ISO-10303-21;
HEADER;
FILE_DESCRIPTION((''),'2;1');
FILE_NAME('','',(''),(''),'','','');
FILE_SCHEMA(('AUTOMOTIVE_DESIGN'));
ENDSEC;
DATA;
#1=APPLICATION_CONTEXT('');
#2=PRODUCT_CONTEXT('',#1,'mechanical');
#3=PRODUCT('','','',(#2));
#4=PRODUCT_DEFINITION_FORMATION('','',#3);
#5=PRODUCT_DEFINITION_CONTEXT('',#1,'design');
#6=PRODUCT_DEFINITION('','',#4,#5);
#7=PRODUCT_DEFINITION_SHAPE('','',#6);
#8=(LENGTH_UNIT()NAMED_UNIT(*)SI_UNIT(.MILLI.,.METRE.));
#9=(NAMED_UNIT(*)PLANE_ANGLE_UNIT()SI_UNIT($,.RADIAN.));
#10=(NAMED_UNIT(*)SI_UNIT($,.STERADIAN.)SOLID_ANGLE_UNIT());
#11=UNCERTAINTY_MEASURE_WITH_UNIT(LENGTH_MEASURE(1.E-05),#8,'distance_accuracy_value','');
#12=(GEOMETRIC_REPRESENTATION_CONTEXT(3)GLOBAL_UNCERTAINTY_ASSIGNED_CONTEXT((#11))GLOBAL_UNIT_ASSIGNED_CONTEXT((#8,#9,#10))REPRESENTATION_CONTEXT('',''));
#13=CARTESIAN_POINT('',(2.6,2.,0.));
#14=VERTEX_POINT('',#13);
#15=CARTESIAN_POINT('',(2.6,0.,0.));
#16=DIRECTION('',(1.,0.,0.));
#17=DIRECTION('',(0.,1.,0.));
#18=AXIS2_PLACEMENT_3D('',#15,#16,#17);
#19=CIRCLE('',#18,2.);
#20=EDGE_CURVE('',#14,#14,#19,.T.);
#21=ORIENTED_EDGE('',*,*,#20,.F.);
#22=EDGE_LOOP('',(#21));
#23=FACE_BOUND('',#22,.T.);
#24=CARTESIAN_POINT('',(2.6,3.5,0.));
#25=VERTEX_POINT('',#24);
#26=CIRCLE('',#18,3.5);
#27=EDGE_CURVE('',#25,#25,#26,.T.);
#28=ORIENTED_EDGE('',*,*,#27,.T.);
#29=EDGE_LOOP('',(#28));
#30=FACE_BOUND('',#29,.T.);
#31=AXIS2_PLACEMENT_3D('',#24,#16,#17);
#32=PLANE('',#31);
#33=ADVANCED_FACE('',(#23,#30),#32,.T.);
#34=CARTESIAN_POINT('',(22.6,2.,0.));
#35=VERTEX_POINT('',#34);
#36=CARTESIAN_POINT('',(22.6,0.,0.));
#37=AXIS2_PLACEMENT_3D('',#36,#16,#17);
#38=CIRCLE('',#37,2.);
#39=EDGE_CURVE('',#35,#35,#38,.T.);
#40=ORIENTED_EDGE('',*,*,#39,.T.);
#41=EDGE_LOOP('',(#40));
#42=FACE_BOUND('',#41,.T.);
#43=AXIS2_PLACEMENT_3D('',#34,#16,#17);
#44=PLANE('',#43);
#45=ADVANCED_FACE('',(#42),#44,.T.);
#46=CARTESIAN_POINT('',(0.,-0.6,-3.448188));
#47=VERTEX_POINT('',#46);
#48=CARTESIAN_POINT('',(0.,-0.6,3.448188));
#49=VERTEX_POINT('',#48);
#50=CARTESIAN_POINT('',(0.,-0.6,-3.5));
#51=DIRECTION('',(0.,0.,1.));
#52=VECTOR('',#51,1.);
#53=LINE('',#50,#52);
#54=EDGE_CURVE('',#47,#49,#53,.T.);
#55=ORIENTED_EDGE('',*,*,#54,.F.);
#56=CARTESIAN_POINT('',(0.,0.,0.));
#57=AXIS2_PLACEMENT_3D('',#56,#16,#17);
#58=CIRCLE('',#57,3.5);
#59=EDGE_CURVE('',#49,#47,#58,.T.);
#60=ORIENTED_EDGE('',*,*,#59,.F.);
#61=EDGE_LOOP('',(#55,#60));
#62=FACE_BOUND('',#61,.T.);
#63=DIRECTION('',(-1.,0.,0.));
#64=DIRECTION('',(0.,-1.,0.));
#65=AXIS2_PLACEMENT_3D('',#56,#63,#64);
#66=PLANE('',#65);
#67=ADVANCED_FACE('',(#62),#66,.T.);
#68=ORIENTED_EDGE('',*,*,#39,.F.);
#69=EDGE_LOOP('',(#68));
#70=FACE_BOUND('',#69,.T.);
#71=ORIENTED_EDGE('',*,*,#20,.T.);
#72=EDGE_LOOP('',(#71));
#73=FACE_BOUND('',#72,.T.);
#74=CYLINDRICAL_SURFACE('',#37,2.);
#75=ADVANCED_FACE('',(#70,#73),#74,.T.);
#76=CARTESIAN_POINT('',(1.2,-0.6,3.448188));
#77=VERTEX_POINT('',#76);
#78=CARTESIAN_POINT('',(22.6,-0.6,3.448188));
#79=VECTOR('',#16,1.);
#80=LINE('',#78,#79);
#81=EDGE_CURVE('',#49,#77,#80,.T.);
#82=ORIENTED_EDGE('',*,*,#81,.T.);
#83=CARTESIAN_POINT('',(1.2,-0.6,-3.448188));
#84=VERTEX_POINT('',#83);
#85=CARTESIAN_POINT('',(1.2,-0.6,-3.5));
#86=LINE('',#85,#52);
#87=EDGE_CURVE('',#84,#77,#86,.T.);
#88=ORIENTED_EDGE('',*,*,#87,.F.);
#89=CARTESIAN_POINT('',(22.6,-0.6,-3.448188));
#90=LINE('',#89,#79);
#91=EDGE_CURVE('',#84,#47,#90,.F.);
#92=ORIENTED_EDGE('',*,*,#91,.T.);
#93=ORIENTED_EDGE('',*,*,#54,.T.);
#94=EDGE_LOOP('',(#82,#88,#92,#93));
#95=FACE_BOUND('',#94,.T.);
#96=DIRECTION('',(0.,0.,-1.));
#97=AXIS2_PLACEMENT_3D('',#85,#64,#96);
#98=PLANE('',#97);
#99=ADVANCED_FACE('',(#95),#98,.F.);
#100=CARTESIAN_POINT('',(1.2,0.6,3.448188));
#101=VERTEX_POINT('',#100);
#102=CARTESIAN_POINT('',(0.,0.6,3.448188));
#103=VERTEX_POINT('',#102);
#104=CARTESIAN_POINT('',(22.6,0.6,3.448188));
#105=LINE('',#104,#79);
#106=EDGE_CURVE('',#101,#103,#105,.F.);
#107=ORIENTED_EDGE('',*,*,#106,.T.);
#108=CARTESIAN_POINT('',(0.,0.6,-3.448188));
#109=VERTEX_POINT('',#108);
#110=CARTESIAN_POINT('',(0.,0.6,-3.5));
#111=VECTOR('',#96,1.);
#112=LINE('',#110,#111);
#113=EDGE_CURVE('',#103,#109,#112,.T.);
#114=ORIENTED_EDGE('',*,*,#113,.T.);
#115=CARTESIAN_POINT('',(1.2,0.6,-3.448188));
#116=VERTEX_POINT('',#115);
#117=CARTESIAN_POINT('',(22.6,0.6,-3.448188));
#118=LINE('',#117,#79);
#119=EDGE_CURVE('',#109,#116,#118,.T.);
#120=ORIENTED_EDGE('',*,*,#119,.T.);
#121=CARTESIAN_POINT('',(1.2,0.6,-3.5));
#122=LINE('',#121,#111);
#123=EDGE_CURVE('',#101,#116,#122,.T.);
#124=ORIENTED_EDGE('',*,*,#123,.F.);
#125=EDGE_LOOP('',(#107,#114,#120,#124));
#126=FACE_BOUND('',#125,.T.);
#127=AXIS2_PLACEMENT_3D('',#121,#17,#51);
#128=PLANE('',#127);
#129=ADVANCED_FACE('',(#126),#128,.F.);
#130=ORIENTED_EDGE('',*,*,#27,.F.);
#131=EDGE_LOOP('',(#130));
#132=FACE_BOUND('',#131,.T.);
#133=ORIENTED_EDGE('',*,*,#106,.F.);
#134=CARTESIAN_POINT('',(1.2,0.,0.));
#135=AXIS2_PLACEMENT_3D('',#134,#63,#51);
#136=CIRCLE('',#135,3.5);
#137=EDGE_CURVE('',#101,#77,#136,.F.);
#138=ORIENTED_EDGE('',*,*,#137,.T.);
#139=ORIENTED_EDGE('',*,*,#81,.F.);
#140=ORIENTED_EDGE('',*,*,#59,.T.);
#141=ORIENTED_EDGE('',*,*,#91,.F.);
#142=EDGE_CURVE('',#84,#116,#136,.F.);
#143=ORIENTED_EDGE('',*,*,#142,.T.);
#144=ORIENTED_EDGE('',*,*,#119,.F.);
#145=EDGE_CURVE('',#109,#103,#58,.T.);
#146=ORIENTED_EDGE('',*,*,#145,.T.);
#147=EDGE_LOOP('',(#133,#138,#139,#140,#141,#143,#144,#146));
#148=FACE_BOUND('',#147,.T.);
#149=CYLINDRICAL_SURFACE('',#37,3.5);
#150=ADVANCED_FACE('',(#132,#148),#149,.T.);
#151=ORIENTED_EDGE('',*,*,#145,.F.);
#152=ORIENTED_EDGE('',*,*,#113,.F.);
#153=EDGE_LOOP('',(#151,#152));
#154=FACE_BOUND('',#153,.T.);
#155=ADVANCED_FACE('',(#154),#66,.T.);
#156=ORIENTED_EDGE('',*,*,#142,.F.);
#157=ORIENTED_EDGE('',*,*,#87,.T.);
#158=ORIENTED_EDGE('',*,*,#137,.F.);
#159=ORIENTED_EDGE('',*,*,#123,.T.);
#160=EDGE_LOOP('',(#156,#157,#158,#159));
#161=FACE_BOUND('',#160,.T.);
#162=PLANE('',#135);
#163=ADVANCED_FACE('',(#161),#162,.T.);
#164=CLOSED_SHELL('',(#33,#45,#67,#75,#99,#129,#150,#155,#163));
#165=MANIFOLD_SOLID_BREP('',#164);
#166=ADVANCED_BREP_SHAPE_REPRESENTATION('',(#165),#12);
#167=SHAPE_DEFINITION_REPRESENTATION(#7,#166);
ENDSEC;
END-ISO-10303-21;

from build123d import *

# Parameters (mm, degrees)
SKETCH2_W          = 7
SKETCH2_H          = 1.2
CUT_EXTRUDE1_DEPTH = 1.2


with BuildPart() as part:
    # Sketch1 → Revolve1 (revolve)
    with BuildSketch(Plane.XY):
        Polygon((0, 0), (0, 3.5), (2.6, 3.5), (2.6, 2), (22.6, 2), (22.6, 0), align=None)
    revolve(axis=Axis((22.6, 0, 0), (-1, 0, 0)))

    # Sketch2 → Cut-Extrude1 (cut)
    with BuildSketch(Plane.ZY):
        Rectangle(SKETCH2_W, SKETCH2_H)
    extrude(amount=-CUT_EXTRUDE1_DEPTH, mode=Mode.SUBTRACT)


solid = part.part
